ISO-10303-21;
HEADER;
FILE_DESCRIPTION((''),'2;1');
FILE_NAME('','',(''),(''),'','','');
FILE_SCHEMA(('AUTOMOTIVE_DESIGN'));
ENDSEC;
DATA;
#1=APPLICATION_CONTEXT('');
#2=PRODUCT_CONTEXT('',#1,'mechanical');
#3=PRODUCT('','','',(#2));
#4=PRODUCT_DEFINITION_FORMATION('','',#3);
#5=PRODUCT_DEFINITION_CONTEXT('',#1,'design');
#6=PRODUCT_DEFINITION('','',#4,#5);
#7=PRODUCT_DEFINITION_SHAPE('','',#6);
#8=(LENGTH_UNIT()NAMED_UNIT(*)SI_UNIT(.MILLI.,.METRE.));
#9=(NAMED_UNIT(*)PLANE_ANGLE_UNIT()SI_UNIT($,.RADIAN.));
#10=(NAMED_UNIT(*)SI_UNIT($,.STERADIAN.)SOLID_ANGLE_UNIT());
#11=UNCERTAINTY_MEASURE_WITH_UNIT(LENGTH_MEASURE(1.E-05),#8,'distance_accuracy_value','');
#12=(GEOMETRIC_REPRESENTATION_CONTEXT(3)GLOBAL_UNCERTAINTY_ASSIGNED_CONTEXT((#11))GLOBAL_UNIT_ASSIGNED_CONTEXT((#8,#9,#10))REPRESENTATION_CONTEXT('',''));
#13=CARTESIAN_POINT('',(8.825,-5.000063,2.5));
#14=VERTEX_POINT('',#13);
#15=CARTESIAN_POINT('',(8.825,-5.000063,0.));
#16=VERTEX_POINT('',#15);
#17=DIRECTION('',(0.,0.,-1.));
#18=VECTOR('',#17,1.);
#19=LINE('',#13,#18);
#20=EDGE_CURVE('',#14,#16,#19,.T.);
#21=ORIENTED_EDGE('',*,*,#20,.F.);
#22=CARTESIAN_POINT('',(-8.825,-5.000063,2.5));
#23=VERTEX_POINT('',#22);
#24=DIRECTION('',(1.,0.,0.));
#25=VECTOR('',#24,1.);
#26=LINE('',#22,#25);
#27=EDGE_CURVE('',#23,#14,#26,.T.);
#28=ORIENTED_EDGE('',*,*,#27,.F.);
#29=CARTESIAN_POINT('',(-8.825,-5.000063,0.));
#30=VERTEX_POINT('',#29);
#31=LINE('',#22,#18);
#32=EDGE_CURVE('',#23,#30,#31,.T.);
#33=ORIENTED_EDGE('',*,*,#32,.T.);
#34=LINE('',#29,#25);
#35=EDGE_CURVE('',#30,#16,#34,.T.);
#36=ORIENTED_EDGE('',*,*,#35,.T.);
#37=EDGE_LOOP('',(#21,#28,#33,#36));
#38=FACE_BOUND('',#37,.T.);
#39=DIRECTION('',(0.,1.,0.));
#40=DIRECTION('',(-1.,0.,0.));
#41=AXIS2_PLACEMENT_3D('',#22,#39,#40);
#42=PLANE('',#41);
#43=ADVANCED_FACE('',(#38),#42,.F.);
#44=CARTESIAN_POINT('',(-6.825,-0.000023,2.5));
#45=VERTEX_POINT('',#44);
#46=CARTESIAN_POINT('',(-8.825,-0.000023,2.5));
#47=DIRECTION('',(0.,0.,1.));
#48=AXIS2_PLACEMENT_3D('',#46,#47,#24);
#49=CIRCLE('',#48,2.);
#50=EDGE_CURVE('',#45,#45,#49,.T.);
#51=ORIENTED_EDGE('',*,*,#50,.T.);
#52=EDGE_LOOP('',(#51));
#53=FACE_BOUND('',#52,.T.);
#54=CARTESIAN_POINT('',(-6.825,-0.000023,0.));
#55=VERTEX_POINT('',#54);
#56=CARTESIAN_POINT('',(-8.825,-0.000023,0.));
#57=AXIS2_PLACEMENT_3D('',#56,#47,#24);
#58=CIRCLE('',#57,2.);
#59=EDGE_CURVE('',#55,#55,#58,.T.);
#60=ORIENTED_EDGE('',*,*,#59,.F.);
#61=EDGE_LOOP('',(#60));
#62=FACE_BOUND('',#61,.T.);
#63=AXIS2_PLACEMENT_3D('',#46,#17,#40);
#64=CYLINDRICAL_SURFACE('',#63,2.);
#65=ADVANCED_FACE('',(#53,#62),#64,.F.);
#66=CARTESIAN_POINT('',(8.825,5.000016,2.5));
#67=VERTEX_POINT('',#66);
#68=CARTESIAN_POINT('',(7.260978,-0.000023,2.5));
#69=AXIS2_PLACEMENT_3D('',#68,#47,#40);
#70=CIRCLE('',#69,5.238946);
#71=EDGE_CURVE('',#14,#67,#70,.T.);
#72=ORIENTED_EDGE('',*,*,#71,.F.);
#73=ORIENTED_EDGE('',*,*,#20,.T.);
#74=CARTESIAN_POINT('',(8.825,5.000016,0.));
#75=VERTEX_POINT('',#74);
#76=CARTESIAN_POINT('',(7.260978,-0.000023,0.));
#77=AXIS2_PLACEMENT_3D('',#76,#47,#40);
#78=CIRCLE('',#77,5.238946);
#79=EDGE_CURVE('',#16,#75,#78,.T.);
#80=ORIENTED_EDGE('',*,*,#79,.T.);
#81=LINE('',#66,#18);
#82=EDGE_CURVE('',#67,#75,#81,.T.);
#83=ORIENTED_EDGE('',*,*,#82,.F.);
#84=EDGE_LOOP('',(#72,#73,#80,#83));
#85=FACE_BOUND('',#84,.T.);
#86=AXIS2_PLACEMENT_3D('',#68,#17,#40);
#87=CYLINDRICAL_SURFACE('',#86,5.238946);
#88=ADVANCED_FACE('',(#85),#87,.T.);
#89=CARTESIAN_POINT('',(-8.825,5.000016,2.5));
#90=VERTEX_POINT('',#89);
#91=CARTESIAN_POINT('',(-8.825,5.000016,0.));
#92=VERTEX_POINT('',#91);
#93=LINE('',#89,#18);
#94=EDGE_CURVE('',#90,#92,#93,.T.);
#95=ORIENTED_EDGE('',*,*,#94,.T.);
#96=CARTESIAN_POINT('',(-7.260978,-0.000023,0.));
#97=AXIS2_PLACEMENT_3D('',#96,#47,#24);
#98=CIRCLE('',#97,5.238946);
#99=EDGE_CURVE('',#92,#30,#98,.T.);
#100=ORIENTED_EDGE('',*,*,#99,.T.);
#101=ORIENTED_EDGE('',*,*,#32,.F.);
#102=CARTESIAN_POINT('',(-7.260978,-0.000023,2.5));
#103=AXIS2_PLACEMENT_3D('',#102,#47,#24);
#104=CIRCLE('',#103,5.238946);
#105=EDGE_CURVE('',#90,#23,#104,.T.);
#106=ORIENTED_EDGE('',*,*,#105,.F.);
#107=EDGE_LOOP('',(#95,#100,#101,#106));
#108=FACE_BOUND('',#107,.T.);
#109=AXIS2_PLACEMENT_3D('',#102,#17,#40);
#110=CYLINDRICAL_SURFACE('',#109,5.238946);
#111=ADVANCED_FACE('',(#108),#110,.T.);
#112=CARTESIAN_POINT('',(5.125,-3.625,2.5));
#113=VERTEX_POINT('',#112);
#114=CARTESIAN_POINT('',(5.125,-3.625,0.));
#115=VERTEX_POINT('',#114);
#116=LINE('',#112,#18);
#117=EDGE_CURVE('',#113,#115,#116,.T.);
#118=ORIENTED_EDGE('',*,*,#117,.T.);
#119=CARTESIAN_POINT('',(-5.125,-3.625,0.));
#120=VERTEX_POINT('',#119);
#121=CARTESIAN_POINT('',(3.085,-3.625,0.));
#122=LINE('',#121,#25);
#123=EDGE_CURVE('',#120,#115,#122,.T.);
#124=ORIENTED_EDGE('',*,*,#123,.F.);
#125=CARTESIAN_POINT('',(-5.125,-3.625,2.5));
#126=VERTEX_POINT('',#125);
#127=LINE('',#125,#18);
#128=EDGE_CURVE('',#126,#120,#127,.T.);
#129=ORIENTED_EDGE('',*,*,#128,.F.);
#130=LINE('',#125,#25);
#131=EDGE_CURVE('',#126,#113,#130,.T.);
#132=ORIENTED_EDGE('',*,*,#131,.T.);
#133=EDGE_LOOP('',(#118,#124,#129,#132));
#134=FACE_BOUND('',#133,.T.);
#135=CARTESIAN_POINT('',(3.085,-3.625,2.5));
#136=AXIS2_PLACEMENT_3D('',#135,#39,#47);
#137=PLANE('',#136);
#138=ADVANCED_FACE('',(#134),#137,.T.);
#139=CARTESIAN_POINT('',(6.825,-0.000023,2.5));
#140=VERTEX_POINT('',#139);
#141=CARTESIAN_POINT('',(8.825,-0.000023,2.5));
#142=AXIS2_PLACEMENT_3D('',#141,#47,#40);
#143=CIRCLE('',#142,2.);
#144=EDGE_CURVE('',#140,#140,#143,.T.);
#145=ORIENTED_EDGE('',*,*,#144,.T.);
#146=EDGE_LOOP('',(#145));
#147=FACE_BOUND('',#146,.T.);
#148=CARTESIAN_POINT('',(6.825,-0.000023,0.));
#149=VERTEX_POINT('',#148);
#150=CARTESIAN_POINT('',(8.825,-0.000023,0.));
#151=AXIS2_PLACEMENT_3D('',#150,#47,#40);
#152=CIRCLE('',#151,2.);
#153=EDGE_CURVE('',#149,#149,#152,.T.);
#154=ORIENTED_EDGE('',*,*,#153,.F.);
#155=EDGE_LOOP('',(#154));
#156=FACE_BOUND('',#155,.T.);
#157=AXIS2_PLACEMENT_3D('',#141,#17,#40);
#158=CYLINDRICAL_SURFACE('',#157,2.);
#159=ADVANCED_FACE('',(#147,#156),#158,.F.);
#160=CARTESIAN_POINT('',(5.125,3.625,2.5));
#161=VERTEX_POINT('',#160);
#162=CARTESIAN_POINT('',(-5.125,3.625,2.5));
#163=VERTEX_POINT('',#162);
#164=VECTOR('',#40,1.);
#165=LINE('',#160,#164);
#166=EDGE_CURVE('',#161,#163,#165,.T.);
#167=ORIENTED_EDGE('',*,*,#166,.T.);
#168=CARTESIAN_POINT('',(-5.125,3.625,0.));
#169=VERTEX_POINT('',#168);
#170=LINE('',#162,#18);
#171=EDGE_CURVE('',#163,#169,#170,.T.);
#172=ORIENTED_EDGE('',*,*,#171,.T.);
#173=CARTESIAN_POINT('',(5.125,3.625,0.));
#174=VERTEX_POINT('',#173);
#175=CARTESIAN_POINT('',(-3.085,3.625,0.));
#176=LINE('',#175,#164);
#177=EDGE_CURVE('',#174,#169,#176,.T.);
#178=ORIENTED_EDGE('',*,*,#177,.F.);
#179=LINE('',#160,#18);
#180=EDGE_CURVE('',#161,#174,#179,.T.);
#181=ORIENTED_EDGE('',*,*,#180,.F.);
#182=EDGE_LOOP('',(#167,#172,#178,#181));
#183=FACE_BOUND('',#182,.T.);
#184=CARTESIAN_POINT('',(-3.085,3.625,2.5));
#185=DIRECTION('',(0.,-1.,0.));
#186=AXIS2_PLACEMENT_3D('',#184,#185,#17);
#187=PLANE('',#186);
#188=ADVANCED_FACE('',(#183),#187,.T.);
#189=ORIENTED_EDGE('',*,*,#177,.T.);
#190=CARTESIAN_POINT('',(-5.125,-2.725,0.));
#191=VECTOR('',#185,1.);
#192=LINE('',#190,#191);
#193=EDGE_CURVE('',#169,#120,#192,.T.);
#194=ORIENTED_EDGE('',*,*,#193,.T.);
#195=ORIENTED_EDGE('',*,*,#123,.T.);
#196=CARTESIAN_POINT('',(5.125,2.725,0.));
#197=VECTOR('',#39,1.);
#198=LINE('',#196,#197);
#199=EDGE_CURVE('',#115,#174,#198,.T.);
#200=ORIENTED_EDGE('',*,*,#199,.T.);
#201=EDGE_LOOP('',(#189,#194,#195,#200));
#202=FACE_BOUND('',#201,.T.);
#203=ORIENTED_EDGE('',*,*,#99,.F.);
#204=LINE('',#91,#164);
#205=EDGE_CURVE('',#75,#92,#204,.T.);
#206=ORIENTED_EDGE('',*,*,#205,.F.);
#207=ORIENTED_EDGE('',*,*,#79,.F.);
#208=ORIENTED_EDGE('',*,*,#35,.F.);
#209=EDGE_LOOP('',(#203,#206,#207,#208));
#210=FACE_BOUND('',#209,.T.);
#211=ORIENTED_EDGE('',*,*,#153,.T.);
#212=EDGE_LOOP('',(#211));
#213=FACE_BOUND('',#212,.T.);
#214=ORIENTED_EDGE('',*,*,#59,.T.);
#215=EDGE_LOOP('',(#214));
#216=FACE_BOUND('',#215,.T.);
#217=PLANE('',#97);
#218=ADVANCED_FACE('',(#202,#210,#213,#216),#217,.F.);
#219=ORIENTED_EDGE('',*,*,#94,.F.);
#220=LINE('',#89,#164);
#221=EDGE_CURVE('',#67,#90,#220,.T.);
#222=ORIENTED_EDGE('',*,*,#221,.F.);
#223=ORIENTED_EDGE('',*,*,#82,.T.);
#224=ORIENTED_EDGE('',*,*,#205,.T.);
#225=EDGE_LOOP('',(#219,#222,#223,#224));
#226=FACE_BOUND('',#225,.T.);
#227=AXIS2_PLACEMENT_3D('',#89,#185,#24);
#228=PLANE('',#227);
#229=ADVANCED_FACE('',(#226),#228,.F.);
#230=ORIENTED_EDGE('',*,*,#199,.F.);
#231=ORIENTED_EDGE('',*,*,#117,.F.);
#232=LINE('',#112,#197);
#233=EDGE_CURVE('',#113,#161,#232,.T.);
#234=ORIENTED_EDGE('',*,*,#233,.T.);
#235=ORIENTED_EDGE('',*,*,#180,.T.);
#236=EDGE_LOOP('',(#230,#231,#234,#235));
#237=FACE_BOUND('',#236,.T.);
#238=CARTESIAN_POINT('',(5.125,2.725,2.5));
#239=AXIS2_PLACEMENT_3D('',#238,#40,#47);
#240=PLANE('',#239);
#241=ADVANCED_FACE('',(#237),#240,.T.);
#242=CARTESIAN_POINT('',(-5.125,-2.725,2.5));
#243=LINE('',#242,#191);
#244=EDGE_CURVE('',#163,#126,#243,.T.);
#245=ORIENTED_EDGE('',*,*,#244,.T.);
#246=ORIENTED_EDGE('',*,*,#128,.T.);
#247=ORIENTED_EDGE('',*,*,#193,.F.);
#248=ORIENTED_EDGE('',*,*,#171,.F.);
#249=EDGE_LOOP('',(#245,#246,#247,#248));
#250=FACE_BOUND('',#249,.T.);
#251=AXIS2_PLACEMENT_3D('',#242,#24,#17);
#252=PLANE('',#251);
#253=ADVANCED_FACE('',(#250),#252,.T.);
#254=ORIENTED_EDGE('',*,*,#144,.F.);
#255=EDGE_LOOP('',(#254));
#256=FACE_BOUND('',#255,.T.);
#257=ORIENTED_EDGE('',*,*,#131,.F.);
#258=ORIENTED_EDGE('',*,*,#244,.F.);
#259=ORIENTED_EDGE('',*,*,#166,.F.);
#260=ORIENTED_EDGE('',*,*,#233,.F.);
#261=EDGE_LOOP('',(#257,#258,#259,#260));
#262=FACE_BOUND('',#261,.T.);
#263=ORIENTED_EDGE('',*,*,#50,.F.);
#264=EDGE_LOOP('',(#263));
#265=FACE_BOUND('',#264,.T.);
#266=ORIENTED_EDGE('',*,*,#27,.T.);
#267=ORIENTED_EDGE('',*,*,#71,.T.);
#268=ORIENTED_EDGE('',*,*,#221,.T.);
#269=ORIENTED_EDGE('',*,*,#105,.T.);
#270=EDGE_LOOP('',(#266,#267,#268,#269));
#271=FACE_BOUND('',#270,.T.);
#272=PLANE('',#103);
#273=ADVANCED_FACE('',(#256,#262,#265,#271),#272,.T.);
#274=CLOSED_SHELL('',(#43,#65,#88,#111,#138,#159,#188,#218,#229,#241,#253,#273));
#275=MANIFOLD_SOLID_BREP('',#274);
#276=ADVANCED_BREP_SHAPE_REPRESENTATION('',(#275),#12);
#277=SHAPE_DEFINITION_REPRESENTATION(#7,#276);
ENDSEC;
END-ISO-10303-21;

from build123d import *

# Parameters (mm, degrees)
SKETCH2_R           = 2
BOSS_EXTRUDE1_DEPTH = 2.5


with BuildPart() as part:
    # Sketch2 → Boss-Extrude1 (new body)
    with BuildSketch(Plane.XY):
        with BuildLine():
            Line((-8.825, 5.0000164), (8.825, 5.0000164))
            ThreePointArc((8.825, 5.0000164), (12.499924895, -2.3221e-05), (8.825, -5.000062843))
            Line((8.825, -5.000062843), (-8.825, -5.000062843))
            ThreePointArc((-8.825, -5.000062843), (-12.499924895, -2.3221e-05), (-8.825, 5.0000164))
        make_face()
        with Locations((-8.825, -2.3221e-05)):
            Circle(SKETCH2_R, mode=Mode.SUBTRACT)
        with Locations(Location((8.825, -2.3221e-05, 0), (0, 0, 180))):
            Circle(SKETCH2_R, mode=Mode.SUBTRACT)
        Polygon((-5.125, -2.725), (-5.125, 2.725), (-5.125, 3.625), (-3.085, 3.625), (3.085, 3.625), (5.125, 3.625), (5.125, 2.725), (5.125, -2.725), (5.125, -3.625), (3.085, -3.625), (-3.085, -3.625), (-5.125, -3.625), align=None, mode=Mode.SUBTRACT)
    extrude(amount=BOSS_EXTRUDE1_DEPTH)


solid = part.part
